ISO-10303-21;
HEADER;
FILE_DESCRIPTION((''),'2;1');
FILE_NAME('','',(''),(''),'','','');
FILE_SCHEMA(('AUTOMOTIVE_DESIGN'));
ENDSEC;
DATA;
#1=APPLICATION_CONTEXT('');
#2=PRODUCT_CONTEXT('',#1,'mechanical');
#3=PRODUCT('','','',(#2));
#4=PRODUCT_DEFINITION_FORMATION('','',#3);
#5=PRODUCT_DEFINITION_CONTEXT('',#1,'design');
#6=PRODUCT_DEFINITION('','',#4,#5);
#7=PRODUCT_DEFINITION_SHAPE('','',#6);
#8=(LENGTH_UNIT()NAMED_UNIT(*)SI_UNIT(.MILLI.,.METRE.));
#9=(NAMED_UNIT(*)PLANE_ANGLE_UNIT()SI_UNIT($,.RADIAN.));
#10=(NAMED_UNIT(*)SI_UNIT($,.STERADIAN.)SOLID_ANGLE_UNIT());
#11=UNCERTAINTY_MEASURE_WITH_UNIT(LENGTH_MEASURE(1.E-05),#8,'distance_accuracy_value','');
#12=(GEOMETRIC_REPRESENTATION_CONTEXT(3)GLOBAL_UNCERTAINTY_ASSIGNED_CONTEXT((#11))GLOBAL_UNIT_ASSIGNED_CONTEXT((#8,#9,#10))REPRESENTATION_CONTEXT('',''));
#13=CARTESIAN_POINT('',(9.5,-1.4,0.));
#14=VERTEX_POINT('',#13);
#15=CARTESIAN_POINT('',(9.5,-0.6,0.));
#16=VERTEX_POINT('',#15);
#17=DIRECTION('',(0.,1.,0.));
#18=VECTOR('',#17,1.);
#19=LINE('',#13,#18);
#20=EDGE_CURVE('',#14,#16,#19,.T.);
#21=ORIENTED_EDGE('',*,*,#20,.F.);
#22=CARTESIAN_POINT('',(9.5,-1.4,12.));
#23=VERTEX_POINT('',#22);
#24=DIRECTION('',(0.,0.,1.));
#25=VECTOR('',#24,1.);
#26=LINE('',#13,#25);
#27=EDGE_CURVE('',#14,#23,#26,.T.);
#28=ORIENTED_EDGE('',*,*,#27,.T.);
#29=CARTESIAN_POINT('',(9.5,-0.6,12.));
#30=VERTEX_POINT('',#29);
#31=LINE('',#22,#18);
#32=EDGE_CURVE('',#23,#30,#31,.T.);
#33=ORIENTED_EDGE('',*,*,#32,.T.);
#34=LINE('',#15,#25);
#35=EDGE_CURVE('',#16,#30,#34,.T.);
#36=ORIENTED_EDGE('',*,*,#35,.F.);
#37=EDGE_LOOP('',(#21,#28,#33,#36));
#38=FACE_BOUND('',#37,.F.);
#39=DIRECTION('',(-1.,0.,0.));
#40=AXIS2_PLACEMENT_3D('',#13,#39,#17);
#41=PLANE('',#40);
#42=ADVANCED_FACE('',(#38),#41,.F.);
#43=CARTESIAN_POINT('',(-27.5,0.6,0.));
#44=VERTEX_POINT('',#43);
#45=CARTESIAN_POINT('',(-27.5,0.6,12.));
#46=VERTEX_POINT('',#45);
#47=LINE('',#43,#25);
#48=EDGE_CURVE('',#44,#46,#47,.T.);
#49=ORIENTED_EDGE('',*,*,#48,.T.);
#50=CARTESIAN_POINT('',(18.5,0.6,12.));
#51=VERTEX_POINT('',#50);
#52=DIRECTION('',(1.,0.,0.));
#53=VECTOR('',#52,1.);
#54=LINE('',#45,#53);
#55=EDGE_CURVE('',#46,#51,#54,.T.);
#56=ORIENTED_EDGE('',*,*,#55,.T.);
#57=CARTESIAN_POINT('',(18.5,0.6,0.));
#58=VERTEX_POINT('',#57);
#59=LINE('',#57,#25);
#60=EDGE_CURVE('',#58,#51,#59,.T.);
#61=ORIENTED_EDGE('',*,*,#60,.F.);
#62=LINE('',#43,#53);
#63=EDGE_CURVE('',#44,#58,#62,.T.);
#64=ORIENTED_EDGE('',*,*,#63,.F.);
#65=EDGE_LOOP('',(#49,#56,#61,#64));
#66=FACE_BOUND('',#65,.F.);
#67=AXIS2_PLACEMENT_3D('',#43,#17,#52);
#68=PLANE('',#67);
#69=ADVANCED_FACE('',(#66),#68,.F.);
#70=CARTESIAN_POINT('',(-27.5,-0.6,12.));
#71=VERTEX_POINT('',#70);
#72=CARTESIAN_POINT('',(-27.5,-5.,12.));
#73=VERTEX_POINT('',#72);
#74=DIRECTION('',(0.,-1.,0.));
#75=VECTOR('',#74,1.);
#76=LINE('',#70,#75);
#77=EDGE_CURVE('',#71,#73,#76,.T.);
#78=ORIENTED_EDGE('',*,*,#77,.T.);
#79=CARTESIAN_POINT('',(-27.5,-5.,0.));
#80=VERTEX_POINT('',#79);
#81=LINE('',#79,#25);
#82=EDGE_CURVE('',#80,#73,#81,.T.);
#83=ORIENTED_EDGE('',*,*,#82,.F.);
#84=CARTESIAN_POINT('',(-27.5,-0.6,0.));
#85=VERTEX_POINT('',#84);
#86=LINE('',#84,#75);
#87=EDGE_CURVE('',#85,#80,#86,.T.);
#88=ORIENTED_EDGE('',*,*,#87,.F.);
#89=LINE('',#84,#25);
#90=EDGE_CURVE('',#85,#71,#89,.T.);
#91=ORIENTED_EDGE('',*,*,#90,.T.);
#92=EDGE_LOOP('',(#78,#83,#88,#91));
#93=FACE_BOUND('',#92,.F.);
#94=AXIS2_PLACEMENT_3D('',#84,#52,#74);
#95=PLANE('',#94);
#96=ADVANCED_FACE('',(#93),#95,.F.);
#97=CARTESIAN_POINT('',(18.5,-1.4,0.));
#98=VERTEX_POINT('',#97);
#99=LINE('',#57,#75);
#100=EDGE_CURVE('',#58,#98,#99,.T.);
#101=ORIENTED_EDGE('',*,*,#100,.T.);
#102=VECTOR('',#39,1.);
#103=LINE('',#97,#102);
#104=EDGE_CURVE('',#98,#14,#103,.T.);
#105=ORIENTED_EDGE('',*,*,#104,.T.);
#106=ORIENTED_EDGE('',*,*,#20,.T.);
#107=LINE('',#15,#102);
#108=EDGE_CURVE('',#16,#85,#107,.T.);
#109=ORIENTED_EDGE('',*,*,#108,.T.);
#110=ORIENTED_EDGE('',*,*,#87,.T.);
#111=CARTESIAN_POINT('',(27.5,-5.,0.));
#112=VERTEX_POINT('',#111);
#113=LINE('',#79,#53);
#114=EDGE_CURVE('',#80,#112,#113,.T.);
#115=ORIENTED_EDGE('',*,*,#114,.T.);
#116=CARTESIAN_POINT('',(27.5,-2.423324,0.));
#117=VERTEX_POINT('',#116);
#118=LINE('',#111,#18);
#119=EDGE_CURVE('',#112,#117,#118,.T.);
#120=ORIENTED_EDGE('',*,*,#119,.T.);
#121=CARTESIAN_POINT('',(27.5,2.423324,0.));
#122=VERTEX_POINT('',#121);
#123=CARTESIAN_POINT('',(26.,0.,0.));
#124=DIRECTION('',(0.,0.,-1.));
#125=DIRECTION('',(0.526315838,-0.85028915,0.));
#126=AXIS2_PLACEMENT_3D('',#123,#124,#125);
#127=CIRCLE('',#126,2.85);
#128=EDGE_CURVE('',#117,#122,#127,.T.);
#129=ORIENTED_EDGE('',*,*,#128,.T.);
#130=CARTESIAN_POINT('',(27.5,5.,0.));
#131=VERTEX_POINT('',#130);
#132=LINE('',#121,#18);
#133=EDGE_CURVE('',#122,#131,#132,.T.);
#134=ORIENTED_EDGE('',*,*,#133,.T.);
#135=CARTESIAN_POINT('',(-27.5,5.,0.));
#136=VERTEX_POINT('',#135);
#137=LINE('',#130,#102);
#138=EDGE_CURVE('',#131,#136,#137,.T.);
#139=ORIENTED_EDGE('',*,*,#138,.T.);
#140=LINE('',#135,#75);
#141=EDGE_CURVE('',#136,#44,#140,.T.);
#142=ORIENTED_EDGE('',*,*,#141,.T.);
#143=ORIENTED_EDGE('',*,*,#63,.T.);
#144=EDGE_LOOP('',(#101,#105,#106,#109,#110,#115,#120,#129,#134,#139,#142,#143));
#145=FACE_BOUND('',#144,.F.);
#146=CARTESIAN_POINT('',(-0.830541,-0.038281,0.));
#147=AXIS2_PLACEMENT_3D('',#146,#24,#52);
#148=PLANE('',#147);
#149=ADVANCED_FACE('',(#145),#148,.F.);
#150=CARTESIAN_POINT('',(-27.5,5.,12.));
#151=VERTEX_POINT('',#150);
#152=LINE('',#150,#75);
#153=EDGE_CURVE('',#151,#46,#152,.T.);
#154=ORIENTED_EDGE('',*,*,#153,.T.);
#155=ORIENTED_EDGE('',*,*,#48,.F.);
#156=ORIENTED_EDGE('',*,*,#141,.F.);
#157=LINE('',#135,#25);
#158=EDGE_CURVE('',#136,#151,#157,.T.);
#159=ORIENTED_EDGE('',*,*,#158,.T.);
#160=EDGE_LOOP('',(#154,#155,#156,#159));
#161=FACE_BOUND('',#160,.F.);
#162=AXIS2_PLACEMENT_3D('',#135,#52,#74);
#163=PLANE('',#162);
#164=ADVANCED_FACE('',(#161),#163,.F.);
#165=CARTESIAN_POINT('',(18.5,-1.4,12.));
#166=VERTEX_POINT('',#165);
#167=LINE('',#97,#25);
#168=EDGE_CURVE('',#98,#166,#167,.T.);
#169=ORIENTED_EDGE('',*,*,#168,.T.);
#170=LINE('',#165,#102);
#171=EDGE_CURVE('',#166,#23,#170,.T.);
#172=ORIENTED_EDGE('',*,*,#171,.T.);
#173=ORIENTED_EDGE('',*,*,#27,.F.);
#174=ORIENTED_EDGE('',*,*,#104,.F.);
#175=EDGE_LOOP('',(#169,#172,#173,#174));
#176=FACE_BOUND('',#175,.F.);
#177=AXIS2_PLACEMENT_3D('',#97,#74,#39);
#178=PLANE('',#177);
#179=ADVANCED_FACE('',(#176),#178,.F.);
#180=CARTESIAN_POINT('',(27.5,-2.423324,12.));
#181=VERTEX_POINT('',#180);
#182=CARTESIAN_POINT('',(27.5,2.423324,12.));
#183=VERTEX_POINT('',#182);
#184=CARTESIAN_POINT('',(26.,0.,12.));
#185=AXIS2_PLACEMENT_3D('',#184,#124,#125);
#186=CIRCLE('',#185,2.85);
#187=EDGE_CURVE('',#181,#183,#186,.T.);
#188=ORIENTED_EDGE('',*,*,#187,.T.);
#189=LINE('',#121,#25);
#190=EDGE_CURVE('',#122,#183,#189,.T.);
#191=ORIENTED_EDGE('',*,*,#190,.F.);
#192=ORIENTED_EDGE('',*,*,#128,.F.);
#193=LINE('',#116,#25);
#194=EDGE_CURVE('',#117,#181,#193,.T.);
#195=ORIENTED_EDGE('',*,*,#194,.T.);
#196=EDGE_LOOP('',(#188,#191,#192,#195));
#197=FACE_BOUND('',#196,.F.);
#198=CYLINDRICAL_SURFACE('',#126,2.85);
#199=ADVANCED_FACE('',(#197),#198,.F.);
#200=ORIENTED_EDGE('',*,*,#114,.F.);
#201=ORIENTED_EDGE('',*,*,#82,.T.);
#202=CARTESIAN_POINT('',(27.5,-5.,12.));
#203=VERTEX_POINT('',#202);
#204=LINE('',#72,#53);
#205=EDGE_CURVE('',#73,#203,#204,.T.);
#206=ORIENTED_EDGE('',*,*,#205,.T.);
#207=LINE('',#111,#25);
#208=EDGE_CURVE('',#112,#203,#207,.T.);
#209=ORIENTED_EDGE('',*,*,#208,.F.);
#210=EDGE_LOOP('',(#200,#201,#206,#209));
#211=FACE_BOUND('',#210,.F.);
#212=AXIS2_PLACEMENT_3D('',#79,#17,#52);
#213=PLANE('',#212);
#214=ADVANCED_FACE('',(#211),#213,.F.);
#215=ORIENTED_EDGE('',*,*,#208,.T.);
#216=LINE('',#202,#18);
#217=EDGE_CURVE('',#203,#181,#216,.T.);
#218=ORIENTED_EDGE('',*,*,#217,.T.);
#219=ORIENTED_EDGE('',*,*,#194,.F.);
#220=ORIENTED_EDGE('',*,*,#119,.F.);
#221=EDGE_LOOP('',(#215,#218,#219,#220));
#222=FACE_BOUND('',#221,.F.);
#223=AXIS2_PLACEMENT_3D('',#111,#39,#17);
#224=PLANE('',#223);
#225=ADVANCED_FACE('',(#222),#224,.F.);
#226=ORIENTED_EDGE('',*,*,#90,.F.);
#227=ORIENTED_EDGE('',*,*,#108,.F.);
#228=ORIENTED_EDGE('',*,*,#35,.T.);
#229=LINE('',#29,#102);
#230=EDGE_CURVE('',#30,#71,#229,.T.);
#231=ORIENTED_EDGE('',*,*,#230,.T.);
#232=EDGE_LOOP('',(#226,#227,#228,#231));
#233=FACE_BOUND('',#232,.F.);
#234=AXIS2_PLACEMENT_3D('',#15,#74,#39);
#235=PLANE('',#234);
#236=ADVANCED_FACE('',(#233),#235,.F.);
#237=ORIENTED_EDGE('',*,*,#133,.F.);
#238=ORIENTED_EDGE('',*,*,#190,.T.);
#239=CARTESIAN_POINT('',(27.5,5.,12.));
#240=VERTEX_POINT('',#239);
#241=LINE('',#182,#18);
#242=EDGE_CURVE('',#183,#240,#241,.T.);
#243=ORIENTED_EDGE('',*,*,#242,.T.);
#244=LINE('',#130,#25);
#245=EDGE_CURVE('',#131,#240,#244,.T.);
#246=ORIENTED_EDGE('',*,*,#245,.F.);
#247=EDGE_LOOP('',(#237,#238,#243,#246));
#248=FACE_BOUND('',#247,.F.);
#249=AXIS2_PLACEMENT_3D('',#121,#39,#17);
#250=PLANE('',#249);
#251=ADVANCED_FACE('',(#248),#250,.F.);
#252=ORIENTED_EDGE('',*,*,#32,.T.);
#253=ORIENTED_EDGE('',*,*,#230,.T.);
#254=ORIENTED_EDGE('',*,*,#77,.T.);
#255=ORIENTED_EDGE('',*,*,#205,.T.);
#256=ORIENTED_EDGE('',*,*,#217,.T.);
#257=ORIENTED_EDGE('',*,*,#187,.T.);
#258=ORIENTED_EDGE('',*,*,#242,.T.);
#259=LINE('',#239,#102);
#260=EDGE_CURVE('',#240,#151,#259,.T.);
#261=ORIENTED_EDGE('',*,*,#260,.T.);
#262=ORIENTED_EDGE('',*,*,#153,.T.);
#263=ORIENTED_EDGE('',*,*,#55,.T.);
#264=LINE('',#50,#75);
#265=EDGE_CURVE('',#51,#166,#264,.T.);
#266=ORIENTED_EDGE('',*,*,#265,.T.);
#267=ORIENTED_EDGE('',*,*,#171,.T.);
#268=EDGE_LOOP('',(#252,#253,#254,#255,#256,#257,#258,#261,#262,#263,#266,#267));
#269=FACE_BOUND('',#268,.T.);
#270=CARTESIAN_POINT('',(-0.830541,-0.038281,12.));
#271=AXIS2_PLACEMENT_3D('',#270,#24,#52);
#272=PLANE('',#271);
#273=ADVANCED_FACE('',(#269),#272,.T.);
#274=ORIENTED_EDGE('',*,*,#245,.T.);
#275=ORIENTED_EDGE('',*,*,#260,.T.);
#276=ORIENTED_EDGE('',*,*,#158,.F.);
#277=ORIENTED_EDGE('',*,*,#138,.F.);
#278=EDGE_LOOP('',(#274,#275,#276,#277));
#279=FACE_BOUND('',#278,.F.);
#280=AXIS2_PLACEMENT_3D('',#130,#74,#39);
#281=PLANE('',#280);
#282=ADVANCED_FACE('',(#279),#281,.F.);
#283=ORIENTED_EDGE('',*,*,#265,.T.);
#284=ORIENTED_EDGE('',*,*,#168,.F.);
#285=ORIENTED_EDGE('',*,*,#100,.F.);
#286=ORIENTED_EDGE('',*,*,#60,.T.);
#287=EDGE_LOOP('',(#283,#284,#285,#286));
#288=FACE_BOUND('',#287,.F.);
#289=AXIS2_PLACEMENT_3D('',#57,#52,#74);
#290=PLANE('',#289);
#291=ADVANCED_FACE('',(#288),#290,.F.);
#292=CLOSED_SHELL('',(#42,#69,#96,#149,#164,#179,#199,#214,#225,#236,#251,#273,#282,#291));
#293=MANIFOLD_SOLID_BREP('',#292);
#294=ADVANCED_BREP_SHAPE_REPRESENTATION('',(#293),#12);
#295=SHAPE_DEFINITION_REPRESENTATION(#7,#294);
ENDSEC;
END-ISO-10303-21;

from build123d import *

# Parameters (mm, degrees)
F1_DEPTH = 12


with BuildPart() as f1:
    # F0 (on Top) → F1 (new body)
    with BuildSketch(Plane.XY):
        with BuildLine():
            Line((27.5, 2.423324), (27.5, 5))
            Line((27.5, 5), (-27.5, 5))
            Line((-27.5, 5), (-27.5, 0.6))
            Line((-27.5, 0.6), (18.5, 0.6))
            Line((18.5, 0.6), (18.5, -1.4))
            Line((18.5, -1.4), (10.7, -1.4))
            Line((10.7, -1.4), (9.5, -1.4))
            Line((9.5, -1.4), (9.5, -0.6))
            Line((9.5, -0.6), (8.3, -0.6))
            Line((8.3, -0.6), (-27.5, -0.6))
            Line((-27.5, -0.6), (-27.5, -5))
            Line((-27.5, -5), (27.5, -5))
            Line((27.5, -5), (27.5, -2.423324))
            ThreePointArc((27.5, -2.423324), (23.15, 0), (27.5, 2.423324))
        make_face()
    extrude(amount=F1_DEPTH)


solid = f1.part
